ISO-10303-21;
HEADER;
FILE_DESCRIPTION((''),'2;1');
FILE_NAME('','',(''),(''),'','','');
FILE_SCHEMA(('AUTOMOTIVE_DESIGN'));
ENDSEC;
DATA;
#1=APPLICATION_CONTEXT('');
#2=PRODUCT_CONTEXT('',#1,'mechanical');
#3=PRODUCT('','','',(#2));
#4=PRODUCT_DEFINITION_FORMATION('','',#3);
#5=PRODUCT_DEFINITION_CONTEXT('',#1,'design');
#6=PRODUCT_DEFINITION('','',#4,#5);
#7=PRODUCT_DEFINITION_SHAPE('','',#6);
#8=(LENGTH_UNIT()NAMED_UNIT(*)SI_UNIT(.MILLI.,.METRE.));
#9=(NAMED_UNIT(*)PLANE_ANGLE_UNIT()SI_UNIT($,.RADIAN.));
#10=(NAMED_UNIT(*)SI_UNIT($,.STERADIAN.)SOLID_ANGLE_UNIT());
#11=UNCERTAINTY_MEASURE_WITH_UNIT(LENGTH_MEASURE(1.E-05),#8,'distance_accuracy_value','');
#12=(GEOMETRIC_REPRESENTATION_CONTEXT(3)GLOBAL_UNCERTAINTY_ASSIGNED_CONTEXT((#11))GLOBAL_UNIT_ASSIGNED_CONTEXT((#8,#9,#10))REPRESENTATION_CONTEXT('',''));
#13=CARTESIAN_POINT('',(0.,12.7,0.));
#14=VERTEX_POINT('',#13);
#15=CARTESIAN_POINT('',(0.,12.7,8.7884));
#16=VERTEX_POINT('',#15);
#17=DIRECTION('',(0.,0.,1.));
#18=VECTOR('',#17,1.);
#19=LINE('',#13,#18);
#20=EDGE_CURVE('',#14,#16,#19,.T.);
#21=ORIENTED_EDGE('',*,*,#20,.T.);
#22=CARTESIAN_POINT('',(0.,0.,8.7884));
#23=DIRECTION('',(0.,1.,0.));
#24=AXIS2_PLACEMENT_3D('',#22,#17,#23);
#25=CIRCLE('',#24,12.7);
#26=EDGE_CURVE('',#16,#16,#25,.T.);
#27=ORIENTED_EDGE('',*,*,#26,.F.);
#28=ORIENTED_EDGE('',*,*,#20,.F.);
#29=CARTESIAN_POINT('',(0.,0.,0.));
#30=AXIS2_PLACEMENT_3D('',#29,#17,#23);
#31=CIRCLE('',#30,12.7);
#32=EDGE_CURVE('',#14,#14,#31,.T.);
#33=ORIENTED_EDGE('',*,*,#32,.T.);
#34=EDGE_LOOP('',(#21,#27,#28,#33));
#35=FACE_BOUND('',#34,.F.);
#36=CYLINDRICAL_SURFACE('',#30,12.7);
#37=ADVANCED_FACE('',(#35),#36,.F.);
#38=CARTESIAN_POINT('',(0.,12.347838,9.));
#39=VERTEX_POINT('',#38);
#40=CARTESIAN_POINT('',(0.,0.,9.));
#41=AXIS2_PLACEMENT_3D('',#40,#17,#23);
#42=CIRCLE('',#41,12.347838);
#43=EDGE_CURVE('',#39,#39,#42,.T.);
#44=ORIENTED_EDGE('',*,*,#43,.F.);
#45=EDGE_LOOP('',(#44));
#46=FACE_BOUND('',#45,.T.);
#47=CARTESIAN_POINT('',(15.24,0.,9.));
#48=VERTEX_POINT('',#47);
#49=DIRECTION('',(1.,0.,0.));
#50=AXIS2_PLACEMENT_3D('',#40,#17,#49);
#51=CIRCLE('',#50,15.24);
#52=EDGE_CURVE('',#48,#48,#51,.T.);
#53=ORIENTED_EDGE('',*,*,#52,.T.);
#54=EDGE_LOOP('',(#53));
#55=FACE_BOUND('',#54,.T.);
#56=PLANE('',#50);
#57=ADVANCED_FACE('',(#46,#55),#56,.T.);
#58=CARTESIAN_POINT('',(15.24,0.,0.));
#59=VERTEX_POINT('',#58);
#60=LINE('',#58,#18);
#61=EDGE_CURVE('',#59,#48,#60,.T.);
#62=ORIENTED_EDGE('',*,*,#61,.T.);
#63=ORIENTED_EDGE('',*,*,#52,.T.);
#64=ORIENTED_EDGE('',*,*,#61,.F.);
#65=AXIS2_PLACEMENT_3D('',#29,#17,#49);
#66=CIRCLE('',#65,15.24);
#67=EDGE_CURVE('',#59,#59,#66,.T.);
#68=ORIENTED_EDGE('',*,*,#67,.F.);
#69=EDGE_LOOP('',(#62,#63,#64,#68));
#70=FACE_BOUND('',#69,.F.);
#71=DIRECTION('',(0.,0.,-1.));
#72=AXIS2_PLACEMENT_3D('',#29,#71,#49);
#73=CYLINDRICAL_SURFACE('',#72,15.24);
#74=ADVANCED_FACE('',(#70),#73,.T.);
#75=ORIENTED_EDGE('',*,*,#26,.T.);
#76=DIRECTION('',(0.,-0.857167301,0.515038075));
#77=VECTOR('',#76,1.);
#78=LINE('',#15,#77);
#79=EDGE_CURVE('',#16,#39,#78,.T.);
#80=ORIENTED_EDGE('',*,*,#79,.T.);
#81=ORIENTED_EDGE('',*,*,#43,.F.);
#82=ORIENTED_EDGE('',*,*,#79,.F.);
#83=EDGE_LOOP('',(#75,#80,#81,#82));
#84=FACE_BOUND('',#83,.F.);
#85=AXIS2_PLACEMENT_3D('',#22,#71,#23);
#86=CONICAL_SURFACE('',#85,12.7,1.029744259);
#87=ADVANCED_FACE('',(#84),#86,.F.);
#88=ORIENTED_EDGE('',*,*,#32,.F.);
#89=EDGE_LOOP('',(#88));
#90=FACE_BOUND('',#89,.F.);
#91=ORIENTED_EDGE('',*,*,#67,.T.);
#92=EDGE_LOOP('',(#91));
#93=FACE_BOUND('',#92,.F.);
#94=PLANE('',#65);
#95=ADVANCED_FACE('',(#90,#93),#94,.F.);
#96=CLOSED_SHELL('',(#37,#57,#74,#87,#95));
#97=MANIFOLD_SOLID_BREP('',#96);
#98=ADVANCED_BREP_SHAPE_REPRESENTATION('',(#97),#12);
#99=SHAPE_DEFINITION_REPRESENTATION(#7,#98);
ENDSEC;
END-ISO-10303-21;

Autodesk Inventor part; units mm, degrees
ref_plane "YZ Plane" through (0, 0, 0) normal (1, 0, 0) x (0, 1, 0)
ref_plane "XZ Plane" through (0, 0, 0) normal (0, 1, 0) x (-1, 0, 0)
ref_plane "XY Plane" through (0, 0, 0) normal (0, 0, 1) x (1, 0, 0)
sketch "Sketch1" plane through (0, 0, 0) normal (0, 0, 1) x (1, 0, 0)
  circle A0 centre (0, 0) radius 15.24
  dimension "d0" = 30.48
extrude "Extrusion1" add sketch "Sketch1" along normal blind 9
sketch "Sketch2" plane through (0, 0, 0) normal (0, 0, -1) x (-1, 0, 0)
  point P0 (0, 0)
  point P1 (0, 0)
hole "Hole1" at (0, 0, 0) direction (0, 0, 1) diameter 25.4 depth 8.7884 tip angle 118
properties part number "Laser tube3" material "Aluminum 6061"
